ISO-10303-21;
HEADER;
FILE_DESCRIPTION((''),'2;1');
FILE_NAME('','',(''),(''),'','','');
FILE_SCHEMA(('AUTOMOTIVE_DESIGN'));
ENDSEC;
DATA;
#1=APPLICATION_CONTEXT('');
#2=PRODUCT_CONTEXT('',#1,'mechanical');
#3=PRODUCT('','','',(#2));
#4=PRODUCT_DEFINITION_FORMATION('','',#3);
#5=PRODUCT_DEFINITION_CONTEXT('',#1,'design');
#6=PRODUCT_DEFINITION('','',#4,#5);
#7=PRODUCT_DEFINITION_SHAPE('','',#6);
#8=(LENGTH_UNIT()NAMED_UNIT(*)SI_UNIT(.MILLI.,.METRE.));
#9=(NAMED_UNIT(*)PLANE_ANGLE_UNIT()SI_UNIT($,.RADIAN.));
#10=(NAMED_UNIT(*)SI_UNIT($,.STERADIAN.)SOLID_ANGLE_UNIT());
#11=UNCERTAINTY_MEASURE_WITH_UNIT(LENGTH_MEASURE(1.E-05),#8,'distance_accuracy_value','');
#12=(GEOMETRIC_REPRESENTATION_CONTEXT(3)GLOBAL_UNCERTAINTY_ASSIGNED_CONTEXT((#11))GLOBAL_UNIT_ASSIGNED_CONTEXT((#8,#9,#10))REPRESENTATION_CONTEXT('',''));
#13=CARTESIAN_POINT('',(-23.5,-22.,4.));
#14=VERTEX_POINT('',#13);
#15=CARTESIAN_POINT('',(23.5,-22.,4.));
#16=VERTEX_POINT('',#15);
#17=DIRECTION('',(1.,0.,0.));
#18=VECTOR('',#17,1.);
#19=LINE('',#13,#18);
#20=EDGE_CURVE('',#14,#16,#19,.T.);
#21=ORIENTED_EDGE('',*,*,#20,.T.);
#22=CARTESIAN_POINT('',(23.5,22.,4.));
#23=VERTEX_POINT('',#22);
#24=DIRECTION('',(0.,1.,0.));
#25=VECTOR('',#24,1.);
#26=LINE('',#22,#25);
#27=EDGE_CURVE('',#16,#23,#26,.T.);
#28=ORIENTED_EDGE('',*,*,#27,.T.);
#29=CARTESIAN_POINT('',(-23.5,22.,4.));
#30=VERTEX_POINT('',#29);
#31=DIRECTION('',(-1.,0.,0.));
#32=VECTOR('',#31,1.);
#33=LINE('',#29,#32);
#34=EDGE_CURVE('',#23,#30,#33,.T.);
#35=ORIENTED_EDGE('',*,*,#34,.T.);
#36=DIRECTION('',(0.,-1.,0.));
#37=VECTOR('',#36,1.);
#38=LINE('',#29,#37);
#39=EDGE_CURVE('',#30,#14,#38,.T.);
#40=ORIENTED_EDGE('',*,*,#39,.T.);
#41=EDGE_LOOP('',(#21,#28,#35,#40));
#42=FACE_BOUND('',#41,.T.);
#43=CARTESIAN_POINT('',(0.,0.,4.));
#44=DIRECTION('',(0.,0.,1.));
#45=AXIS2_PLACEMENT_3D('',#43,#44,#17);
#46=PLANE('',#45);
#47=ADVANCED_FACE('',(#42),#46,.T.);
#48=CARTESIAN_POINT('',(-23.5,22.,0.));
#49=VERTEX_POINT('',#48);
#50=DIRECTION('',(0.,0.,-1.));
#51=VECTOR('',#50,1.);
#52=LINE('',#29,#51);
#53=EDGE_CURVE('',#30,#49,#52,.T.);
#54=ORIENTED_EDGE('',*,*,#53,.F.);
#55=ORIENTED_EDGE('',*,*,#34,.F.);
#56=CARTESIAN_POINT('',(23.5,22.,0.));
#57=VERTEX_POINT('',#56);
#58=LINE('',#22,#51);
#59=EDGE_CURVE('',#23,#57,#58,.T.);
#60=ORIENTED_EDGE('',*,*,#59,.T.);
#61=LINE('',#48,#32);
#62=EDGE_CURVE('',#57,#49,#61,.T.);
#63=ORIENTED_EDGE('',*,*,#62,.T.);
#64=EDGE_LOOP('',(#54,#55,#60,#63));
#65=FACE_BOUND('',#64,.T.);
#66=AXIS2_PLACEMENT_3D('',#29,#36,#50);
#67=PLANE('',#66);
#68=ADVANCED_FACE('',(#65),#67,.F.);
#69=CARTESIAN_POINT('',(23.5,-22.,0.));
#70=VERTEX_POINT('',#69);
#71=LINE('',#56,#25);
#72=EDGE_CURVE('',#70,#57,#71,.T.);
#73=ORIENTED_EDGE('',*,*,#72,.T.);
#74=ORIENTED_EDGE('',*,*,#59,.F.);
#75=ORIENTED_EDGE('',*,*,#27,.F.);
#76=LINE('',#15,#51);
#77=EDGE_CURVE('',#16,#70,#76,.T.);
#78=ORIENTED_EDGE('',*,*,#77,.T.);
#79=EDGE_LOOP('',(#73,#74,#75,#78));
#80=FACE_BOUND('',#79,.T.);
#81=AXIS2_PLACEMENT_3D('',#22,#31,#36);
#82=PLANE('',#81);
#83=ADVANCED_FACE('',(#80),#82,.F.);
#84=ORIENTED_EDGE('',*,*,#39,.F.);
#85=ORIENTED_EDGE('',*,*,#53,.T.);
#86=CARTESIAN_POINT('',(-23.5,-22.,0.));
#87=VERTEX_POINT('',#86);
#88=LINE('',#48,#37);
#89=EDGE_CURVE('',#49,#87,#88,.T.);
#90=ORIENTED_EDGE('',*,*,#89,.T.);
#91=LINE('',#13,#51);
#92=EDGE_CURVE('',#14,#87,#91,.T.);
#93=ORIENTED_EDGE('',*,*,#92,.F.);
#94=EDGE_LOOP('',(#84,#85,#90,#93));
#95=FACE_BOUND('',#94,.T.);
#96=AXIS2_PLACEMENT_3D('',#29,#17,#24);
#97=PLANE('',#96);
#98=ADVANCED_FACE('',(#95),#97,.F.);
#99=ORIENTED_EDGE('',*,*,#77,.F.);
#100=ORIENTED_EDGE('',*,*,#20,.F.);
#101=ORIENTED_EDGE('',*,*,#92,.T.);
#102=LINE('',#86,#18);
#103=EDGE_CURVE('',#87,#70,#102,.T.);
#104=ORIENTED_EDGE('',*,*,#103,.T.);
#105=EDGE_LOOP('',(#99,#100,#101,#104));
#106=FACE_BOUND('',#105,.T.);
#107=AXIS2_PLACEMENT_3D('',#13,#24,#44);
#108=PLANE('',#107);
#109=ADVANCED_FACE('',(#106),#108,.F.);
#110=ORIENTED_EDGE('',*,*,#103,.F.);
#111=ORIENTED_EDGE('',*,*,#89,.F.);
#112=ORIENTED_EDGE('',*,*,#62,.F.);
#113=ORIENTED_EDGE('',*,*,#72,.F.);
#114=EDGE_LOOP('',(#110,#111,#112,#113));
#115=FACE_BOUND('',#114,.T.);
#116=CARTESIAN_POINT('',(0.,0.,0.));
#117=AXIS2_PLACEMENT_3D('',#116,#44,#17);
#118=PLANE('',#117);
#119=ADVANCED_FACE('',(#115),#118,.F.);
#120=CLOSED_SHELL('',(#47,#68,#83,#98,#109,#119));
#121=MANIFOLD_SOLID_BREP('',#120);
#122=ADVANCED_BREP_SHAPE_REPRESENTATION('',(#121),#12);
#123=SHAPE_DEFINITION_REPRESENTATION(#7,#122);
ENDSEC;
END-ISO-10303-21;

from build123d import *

# Parameters (mm, degrees)
ESQUISSE1_W        = 47
ESQUISSE1_H        = 44
BOSS_EXTRU_1_DEPTH = 4


with BuildPart() as part:
    # Esquisse1 → Boss.-Extru.1 (new body)
    with BuildSketch(Plane.XY):
        Rectangle(ESQUISSE1_W, ESQUISSE1_H)
    extrude(amount=BOSS_EXTRU_1_DEPTH)


solid = part.part
